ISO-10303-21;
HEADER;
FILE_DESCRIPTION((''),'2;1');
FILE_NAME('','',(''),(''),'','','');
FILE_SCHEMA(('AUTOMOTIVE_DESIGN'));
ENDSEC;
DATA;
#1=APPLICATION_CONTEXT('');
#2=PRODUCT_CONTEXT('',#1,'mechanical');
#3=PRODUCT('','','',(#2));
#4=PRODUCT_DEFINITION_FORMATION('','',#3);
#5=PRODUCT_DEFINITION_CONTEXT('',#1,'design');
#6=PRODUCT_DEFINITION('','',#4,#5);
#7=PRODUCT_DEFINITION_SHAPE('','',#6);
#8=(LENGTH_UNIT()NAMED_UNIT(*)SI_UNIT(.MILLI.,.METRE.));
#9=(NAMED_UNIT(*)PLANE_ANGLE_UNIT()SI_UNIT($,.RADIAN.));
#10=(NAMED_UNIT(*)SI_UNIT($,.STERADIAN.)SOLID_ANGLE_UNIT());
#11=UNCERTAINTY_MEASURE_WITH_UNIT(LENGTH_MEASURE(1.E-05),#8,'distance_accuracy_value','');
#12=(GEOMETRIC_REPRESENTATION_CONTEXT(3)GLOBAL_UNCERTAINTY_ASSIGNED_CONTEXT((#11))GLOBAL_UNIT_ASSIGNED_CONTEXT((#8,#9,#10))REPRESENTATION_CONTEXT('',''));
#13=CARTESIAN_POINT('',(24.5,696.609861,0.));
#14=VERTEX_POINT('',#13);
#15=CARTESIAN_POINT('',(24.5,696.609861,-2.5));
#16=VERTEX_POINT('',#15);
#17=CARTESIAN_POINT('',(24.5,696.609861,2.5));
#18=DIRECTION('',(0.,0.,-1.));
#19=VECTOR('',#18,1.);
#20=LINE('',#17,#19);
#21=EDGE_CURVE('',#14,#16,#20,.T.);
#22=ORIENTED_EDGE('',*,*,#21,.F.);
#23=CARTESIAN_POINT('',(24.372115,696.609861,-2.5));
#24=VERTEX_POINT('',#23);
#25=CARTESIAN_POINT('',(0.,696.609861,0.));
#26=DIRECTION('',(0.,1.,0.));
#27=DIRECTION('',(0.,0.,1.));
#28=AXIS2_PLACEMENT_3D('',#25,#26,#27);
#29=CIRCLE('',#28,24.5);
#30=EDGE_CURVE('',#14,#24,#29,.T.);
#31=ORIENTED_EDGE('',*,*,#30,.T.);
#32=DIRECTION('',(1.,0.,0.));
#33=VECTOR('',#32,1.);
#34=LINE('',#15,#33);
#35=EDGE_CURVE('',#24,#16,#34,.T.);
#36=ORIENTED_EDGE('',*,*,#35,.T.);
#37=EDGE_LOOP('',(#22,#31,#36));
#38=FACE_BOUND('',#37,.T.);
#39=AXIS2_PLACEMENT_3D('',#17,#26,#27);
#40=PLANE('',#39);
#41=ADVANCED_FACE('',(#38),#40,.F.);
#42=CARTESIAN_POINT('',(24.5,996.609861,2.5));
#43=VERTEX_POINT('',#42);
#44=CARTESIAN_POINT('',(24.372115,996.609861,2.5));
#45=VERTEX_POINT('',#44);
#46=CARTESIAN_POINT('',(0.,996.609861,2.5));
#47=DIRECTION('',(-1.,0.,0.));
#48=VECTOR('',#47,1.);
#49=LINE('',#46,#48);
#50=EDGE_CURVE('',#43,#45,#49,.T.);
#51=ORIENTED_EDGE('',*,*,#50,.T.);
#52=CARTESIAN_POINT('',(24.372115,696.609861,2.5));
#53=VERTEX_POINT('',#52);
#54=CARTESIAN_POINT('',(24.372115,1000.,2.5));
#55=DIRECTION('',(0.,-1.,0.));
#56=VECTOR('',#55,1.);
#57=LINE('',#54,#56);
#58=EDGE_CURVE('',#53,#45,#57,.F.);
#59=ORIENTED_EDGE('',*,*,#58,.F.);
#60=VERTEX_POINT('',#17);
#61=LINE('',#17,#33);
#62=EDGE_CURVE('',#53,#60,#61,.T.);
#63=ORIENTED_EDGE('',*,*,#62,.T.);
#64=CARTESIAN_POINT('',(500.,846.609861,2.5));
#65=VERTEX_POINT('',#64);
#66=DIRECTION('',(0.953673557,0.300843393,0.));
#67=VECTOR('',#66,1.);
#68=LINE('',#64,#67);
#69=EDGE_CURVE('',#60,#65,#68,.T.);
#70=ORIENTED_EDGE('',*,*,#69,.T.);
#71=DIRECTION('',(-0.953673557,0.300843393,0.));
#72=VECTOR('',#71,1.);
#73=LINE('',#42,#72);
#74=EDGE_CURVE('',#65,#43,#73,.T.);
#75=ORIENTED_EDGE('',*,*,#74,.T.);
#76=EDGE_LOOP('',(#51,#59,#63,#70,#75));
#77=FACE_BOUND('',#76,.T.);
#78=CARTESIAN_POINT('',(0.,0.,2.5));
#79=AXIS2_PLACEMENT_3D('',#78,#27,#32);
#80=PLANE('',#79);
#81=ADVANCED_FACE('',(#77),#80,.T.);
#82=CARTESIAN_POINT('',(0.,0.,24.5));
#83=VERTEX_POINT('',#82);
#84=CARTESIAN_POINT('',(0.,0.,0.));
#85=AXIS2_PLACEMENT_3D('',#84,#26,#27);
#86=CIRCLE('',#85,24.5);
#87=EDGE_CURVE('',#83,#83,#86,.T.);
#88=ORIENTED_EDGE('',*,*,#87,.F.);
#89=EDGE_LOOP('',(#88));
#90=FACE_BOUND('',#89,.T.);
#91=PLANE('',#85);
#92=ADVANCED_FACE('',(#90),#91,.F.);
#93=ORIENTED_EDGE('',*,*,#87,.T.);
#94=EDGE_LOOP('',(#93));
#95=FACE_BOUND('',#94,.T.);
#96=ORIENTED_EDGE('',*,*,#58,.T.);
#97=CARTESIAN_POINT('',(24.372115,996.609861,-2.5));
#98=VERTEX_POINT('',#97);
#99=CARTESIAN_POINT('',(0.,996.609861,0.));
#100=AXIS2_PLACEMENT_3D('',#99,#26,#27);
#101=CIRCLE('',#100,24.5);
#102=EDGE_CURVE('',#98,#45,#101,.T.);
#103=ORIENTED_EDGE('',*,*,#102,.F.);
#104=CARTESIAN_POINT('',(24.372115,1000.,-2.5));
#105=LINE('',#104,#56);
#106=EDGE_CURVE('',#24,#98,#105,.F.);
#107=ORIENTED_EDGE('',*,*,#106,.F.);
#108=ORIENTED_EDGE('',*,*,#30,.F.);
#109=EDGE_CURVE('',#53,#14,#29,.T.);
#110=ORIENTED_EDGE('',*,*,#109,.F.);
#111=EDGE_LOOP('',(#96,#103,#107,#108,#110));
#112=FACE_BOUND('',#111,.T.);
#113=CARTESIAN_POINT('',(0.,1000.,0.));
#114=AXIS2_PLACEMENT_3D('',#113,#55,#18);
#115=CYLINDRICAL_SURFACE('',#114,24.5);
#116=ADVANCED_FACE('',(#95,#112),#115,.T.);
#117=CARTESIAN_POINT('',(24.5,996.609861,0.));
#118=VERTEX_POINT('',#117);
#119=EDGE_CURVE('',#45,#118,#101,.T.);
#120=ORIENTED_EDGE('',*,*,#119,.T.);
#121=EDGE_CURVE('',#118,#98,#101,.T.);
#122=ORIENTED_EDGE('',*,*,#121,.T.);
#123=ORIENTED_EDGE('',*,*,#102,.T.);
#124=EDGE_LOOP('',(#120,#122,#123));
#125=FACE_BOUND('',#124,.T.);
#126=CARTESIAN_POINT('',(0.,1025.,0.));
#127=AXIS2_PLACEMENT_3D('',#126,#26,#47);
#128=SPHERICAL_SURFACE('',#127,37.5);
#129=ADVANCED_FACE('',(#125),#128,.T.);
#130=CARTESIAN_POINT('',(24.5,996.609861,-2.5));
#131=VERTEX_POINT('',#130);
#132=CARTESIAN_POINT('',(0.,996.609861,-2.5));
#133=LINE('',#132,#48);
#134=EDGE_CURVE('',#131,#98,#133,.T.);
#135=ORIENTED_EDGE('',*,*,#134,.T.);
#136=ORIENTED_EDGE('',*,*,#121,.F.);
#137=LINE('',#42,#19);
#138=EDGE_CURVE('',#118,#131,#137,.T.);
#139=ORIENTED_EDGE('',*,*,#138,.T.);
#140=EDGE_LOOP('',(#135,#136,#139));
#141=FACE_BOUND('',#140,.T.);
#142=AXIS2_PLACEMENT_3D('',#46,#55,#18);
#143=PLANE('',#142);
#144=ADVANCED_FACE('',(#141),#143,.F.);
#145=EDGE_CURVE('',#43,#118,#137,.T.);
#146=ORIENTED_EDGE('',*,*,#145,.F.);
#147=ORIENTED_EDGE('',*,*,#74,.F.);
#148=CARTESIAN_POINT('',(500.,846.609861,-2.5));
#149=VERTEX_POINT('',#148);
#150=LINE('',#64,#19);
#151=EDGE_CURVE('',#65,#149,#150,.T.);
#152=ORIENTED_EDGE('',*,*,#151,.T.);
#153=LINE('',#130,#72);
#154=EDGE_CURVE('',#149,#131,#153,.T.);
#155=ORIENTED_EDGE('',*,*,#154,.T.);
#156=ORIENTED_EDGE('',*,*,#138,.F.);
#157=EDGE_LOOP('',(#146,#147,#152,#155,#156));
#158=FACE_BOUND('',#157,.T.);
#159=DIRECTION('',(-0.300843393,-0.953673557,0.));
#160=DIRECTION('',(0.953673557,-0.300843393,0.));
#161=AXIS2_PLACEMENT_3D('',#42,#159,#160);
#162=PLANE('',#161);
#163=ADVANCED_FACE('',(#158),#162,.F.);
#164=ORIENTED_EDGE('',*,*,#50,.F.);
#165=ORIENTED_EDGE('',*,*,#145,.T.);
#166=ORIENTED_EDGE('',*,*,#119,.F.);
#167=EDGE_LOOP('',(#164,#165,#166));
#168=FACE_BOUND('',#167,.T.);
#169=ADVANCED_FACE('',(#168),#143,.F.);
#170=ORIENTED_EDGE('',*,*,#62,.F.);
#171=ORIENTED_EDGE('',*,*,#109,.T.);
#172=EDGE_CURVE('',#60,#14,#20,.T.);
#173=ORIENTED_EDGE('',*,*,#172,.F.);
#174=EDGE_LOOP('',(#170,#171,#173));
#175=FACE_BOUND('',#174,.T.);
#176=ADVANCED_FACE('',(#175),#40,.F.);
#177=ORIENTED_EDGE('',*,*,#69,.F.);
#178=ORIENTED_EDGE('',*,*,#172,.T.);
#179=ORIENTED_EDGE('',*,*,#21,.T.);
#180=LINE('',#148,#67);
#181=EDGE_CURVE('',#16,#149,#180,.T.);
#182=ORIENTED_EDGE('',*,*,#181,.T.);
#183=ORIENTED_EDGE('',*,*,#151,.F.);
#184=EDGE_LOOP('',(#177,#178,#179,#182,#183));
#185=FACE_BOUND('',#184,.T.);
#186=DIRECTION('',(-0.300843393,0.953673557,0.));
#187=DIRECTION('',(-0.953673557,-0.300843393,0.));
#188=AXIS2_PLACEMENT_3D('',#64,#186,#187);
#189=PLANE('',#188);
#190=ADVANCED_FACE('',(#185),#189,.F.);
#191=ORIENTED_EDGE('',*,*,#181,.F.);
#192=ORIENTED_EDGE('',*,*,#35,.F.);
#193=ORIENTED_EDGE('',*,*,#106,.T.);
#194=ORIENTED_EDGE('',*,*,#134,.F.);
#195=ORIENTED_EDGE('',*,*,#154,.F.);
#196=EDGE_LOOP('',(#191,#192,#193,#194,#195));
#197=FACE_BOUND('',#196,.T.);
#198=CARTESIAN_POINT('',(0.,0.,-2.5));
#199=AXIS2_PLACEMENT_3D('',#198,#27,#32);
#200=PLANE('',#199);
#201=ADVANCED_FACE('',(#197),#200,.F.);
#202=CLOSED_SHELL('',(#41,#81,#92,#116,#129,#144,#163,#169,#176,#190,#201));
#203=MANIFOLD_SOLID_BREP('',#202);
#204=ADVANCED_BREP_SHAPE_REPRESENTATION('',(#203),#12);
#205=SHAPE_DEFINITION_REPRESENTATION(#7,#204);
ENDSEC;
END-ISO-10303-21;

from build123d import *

# Parameters (mm, degrees)
SKETCH1_R           = 24.5
BOSS_EXTRUDE1_DEPTH = 1000
BOSS_EXTRUDE2_DEPTH = 2.5


with BuildPart() as part:
    # Sketch1 → Boss-Extrude1 (new body)
    with BuildSketch(Plane(origin=(0, 0, 0), x_dir=(1, 0, 0), z_dir=(0, 1, 0))):
        Circle(SKETCH1_R)
    extrude(amount=BOSS_EXTRUDE1_DEPTH)

    # Sketch2 → Revolve5 (revolve)
    with BuildSketch(Plane.XY):
        with BuildLine():
            Line((0, 1062.5), (0, 987.5))
            ThreePointArc((0, 987.5), (37.5, 1025), (0, 1062.5))
        make_face()
    revolve(axis=Axis((0, 1062.5, 0), (0, -1, 0)))

    # Sketch3 → Boss-Extrude2 (add, symmetric)
    with BuildSketch(Plane.XY):
        Polygon((24.5, 996.609860867), (500, 846.609860867), (24.5, 696.609860867), (0, 696.609860867), (0, 996.609860867), align=None)
    extrude(amount=BOSS_EXTRUDE2_DEPTH, both=True)


solid = part.part
